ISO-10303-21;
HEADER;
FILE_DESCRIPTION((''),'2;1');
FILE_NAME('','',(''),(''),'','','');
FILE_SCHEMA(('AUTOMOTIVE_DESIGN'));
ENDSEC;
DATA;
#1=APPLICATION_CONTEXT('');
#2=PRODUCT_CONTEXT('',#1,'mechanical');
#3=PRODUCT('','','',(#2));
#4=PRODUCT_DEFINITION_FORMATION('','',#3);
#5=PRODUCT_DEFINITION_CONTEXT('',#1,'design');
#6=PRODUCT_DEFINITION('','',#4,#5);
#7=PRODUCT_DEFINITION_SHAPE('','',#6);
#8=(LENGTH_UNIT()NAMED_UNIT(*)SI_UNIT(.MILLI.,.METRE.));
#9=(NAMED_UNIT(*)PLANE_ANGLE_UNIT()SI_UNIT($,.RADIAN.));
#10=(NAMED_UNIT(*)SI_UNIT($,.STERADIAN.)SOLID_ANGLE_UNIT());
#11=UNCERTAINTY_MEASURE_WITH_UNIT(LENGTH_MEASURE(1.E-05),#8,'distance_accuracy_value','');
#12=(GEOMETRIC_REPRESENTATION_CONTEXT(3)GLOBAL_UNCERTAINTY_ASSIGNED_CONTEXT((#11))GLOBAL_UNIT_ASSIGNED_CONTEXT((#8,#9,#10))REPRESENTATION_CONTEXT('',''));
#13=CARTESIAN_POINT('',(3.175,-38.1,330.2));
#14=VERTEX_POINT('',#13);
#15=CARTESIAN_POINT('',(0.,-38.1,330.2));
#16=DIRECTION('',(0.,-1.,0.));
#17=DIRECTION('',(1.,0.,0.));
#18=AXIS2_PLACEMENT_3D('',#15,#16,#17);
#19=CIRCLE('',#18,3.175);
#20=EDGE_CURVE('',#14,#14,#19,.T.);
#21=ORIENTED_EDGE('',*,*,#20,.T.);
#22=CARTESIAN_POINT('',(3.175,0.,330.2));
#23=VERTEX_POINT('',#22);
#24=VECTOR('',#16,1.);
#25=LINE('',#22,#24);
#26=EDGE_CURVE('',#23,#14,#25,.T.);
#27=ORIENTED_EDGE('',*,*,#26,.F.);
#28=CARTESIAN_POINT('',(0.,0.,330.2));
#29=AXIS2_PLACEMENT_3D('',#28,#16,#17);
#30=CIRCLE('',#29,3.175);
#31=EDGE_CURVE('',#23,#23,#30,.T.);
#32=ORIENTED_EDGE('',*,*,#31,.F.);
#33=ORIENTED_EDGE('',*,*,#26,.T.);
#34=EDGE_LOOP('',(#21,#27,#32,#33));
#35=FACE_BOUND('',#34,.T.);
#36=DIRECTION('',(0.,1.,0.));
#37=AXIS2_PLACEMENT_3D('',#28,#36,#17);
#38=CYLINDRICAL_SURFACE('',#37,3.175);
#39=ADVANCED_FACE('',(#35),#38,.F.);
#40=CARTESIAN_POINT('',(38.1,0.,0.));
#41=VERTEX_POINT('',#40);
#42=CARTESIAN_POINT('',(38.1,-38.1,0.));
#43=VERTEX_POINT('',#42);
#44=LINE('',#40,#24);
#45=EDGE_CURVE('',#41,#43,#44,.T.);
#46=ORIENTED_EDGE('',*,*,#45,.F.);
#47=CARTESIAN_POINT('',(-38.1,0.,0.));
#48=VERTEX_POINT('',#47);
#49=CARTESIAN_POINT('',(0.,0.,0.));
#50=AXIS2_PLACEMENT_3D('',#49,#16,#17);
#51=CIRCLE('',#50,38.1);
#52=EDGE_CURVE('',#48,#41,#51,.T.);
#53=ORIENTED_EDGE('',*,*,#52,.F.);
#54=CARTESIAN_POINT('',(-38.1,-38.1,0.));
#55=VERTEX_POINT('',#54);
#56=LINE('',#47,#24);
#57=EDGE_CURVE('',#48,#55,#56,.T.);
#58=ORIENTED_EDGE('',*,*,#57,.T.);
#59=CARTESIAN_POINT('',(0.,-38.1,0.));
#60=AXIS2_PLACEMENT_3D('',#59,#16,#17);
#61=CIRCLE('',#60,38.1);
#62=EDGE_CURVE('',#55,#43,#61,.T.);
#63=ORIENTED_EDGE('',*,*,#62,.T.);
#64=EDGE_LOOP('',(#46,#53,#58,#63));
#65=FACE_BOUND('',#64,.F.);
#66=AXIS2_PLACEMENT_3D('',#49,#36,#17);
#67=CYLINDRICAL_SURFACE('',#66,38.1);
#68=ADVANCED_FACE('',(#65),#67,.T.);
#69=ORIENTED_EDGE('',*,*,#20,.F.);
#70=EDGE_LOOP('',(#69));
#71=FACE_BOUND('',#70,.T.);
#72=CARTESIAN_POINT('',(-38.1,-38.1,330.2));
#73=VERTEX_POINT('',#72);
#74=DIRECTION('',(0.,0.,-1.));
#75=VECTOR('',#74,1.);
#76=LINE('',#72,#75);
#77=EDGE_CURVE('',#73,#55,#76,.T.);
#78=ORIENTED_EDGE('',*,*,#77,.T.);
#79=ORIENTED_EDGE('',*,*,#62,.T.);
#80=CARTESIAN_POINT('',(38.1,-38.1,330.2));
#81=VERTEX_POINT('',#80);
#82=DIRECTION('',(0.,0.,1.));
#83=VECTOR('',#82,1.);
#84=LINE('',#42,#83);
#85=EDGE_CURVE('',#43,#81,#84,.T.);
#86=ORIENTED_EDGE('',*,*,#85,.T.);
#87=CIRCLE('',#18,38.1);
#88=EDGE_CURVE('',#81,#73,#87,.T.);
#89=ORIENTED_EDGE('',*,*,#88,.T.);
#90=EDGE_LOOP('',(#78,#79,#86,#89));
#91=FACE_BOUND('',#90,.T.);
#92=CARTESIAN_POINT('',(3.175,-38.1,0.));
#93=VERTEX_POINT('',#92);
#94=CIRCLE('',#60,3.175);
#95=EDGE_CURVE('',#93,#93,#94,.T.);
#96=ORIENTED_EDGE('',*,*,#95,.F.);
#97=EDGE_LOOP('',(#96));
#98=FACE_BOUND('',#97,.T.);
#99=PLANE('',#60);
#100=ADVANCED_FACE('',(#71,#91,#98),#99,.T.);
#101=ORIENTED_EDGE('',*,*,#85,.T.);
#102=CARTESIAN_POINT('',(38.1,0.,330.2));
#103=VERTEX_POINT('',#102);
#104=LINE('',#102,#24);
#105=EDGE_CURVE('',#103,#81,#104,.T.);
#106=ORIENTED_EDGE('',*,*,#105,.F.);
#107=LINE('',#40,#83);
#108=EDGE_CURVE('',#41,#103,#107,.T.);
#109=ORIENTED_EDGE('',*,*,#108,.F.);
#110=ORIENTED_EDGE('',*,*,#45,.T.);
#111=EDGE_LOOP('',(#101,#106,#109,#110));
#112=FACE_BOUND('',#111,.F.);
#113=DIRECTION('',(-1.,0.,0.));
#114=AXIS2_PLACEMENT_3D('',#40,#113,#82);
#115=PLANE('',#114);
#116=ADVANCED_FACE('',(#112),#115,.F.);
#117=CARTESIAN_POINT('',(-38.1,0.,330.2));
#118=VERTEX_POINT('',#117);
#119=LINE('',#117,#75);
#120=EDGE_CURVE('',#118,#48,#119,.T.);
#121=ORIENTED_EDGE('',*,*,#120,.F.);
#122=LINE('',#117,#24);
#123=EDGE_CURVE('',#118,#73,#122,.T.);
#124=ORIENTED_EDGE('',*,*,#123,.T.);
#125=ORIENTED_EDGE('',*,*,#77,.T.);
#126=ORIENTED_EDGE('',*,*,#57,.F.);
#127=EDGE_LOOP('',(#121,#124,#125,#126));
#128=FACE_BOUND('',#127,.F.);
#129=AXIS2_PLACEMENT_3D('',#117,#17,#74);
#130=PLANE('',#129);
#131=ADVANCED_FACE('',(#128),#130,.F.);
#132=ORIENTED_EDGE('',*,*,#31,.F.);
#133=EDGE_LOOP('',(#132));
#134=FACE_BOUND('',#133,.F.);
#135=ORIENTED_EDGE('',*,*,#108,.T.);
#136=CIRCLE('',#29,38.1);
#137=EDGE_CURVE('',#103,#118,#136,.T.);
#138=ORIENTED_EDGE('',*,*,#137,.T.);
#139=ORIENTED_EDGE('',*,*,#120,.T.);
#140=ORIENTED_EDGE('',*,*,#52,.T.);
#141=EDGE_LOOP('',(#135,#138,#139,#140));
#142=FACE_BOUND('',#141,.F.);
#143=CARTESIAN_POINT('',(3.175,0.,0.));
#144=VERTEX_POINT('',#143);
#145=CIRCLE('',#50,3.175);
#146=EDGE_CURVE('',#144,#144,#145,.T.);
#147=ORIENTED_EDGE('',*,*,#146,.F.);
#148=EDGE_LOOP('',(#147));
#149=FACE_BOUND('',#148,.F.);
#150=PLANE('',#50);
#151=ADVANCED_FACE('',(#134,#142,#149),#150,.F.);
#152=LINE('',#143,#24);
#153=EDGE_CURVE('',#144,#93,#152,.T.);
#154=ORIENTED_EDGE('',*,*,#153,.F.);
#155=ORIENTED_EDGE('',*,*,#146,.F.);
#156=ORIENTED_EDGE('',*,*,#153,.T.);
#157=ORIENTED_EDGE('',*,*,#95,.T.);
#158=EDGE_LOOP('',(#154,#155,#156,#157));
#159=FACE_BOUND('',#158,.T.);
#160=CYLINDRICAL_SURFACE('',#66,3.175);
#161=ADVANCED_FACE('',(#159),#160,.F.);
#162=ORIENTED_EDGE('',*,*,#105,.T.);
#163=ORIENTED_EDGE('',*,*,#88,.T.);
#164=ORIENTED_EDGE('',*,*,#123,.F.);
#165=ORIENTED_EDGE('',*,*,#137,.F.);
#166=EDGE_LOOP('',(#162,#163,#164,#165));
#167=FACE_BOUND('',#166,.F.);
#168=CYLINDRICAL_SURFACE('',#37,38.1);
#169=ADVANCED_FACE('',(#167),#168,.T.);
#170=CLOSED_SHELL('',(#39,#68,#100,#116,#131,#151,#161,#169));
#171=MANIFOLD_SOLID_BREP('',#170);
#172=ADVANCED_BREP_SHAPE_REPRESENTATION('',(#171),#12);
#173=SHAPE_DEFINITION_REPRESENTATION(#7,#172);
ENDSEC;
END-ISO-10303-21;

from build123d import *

# Parameters (mm, degrees)
F0_R     = 3.175
F1_DEPTH = 38.1


with BuildPart() as f1:
    # F0 (on Front) → F1 (new body)
    with BuildSketch(Plane.XZ):
        with BuildLine():
            ThreePointArc((-38.1, 0), (0, -38.1), (38.1, 0))
            ThreePointArc((38.1, 0), (0, 38.1), (-38.1, 0))
        make_face()
        Circle(F0_R, mode=Mode.SUBTRACT)
        with BuildLine():
            ThreePointArc((-38.1, 0), (0, 38.1), (38.1, 0))
            Line((38.1, 0), (38.1, 330.2))
            ThreePointArc((38.1, 330.2), (0, 292.1), (-38.1, 330.2))
            Line((-38.1, 330.2), (-38.1, 0))
        make_face()
        with BuildLine():
            ThreePointArc((-38.1, 330.2), (0, 292.1), (38.1, 330.2))
            ThreePointArc((38.1, 330.2), (0, 368.3), (-38.1, 330.2))
        make_face()
        with Locations((0, 330.2)):
            Circle(F0_R, mode=Mode.SUBTRACT)
    extrude(amount=F1_DEPTH)


solid = f1.part
